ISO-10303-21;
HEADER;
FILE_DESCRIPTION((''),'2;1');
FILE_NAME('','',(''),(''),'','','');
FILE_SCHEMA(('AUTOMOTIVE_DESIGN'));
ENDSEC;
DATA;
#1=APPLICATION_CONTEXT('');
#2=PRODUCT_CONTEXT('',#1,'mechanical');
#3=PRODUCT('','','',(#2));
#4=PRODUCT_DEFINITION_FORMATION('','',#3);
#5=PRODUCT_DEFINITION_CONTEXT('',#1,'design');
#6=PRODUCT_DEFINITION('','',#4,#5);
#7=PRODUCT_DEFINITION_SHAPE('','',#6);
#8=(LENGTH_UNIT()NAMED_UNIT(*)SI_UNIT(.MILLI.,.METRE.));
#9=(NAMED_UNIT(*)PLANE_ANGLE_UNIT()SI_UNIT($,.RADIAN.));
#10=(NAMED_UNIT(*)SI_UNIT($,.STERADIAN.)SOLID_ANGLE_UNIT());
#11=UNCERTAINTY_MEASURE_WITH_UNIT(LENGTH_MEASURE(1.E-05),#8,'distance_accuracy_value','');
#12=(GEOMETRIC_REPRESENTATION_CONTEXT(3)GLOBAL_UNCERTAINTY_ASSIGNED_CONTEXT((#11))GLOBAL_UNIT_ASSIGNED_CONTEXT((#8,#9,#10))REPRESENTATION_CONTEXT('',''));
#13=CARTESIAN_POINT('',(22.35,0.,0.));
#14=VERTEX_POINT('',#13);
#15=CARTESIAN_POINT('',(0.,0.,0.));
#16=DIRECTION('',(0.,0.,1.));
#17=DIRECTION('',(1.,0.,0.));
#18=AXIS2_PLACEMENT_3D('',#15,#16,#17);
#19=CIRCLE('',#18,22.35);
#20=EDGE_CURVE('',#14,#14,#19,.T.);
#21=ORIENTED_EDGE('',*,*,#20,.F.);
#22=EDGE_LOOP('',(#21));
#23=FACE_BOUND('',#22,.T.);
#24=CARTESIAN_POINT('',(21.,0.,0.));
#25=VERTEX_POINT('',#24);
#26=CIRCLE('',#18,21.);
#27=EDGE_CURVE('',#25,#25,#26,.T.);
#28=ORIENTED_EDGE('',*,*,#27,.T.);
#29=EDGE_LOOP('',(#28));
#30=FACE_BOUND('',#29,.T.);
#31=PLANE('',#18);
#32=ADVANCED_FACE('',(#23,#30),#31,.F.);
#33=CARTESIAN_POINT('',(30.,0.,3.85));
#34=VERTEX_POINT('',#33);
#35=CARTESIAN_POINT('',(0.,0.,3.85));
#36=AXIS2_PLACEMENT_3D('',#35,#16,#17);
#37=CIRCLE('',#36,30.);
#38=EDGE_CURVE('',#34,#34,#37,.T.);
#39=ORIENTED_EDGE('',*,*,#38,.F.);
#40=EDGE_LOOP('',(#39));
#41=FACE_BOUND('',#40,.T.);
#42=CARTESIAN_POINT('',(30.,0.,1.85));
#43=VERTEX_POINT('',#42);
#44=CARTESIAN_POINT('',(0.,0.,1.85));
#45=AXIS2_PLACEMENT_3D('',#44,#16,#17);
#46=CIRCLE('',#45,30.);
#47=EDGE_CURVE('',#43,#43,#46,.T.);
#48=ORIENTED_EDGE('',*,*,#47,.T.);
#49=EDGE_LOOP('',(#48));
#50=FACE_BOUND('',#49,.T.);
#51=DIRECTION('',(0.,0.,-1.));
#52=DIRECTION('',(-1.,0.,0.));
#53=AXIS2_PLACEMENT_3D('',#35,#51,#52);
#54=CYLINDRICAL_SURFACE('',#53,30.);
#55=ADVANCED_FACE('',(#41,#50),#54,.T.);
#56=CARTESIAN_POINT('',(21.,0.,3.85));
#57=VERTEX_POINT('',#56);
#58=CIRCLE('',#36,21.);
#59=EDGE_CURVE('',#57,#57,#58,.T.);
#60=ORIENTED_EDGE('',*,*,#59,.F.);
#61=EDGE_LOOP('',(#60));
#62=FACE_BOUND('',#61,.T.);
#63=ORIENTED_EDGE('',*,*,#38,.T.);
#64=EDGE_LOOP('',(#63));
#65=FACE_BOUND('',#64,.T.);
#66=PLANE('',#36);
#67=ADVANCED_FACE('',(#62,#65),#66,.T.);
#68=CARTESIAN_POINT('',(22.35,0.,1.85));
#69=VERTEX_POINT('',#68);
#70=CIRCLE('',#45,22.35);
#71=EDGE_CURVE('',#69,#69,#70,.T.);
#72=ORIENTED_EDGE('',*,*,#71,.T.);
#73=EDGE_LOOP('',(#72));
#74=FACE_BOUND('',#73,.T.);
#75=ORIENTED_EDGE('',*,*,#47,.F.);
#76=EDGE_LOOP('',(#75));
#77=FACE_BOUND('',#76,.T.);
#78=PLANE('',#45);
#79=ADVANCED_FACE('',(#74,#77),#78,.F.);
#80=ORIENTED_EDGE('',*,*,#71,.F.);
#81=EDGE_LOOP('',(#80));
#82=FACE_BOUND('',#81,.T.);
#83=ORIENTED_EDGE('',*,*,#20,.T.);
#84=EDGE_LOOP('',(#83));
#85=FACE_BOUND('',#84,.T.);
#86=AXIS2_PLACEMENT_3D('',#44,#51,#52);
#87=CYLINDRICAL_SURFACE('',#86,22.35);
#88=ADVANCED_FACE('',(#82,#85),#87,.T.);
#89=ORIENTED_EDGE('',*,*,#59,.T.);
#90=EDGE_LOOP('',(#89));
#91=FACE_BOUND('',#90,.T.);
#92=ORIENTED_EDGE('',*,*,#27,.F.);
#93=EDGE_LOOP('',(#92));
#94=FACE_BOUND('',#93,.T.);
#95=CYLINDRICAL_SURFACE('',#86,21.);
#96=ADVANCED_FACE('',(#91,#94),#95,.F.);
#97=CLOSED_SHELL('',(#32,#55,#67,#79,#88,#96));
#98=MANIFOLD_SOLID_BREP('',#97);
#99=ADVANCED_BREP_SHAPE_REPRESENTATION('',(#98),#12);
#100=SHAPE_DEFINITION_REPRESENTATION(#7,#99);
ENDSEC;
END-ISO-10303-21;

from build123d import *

# Parameters (mm, degrees)
ESBO_O2_R                = 22.35
ESBO_O2_R_2              = 21
RESSALTO_EXTRUS_O1_DEPTH = 1.85
ESBO_O3_R                = 30
ESBO_O3_R_2              = 21
RESSALTO_EXTRUS_O2_DEPTH = 2


with BuildPart() as part:
    # Esboço2 → Ressalto-extrusão1 (new body)
    with BuildSketch(Plane.XY):
        Circle(ESBO_O2_R)
        Circle(ESBO_O2_R_2, mode=Mode.SUBTRACT)
    extrude(amount=RESSALTO_EXTRUS_O1_DEPTH)

    # Esboço3 → Ressalto-extrusão2 (add)
    with BuildSketch(Plane.XY.offset(1.85)):
        Circle(ESBO_O3_R)
        Circle(ESBO_O3_R_2, mode=Mode.SUBTRACT)
    extrude(amount=RESSALTO_EXTRUS_O2_DEPTH)


solid = part.part
